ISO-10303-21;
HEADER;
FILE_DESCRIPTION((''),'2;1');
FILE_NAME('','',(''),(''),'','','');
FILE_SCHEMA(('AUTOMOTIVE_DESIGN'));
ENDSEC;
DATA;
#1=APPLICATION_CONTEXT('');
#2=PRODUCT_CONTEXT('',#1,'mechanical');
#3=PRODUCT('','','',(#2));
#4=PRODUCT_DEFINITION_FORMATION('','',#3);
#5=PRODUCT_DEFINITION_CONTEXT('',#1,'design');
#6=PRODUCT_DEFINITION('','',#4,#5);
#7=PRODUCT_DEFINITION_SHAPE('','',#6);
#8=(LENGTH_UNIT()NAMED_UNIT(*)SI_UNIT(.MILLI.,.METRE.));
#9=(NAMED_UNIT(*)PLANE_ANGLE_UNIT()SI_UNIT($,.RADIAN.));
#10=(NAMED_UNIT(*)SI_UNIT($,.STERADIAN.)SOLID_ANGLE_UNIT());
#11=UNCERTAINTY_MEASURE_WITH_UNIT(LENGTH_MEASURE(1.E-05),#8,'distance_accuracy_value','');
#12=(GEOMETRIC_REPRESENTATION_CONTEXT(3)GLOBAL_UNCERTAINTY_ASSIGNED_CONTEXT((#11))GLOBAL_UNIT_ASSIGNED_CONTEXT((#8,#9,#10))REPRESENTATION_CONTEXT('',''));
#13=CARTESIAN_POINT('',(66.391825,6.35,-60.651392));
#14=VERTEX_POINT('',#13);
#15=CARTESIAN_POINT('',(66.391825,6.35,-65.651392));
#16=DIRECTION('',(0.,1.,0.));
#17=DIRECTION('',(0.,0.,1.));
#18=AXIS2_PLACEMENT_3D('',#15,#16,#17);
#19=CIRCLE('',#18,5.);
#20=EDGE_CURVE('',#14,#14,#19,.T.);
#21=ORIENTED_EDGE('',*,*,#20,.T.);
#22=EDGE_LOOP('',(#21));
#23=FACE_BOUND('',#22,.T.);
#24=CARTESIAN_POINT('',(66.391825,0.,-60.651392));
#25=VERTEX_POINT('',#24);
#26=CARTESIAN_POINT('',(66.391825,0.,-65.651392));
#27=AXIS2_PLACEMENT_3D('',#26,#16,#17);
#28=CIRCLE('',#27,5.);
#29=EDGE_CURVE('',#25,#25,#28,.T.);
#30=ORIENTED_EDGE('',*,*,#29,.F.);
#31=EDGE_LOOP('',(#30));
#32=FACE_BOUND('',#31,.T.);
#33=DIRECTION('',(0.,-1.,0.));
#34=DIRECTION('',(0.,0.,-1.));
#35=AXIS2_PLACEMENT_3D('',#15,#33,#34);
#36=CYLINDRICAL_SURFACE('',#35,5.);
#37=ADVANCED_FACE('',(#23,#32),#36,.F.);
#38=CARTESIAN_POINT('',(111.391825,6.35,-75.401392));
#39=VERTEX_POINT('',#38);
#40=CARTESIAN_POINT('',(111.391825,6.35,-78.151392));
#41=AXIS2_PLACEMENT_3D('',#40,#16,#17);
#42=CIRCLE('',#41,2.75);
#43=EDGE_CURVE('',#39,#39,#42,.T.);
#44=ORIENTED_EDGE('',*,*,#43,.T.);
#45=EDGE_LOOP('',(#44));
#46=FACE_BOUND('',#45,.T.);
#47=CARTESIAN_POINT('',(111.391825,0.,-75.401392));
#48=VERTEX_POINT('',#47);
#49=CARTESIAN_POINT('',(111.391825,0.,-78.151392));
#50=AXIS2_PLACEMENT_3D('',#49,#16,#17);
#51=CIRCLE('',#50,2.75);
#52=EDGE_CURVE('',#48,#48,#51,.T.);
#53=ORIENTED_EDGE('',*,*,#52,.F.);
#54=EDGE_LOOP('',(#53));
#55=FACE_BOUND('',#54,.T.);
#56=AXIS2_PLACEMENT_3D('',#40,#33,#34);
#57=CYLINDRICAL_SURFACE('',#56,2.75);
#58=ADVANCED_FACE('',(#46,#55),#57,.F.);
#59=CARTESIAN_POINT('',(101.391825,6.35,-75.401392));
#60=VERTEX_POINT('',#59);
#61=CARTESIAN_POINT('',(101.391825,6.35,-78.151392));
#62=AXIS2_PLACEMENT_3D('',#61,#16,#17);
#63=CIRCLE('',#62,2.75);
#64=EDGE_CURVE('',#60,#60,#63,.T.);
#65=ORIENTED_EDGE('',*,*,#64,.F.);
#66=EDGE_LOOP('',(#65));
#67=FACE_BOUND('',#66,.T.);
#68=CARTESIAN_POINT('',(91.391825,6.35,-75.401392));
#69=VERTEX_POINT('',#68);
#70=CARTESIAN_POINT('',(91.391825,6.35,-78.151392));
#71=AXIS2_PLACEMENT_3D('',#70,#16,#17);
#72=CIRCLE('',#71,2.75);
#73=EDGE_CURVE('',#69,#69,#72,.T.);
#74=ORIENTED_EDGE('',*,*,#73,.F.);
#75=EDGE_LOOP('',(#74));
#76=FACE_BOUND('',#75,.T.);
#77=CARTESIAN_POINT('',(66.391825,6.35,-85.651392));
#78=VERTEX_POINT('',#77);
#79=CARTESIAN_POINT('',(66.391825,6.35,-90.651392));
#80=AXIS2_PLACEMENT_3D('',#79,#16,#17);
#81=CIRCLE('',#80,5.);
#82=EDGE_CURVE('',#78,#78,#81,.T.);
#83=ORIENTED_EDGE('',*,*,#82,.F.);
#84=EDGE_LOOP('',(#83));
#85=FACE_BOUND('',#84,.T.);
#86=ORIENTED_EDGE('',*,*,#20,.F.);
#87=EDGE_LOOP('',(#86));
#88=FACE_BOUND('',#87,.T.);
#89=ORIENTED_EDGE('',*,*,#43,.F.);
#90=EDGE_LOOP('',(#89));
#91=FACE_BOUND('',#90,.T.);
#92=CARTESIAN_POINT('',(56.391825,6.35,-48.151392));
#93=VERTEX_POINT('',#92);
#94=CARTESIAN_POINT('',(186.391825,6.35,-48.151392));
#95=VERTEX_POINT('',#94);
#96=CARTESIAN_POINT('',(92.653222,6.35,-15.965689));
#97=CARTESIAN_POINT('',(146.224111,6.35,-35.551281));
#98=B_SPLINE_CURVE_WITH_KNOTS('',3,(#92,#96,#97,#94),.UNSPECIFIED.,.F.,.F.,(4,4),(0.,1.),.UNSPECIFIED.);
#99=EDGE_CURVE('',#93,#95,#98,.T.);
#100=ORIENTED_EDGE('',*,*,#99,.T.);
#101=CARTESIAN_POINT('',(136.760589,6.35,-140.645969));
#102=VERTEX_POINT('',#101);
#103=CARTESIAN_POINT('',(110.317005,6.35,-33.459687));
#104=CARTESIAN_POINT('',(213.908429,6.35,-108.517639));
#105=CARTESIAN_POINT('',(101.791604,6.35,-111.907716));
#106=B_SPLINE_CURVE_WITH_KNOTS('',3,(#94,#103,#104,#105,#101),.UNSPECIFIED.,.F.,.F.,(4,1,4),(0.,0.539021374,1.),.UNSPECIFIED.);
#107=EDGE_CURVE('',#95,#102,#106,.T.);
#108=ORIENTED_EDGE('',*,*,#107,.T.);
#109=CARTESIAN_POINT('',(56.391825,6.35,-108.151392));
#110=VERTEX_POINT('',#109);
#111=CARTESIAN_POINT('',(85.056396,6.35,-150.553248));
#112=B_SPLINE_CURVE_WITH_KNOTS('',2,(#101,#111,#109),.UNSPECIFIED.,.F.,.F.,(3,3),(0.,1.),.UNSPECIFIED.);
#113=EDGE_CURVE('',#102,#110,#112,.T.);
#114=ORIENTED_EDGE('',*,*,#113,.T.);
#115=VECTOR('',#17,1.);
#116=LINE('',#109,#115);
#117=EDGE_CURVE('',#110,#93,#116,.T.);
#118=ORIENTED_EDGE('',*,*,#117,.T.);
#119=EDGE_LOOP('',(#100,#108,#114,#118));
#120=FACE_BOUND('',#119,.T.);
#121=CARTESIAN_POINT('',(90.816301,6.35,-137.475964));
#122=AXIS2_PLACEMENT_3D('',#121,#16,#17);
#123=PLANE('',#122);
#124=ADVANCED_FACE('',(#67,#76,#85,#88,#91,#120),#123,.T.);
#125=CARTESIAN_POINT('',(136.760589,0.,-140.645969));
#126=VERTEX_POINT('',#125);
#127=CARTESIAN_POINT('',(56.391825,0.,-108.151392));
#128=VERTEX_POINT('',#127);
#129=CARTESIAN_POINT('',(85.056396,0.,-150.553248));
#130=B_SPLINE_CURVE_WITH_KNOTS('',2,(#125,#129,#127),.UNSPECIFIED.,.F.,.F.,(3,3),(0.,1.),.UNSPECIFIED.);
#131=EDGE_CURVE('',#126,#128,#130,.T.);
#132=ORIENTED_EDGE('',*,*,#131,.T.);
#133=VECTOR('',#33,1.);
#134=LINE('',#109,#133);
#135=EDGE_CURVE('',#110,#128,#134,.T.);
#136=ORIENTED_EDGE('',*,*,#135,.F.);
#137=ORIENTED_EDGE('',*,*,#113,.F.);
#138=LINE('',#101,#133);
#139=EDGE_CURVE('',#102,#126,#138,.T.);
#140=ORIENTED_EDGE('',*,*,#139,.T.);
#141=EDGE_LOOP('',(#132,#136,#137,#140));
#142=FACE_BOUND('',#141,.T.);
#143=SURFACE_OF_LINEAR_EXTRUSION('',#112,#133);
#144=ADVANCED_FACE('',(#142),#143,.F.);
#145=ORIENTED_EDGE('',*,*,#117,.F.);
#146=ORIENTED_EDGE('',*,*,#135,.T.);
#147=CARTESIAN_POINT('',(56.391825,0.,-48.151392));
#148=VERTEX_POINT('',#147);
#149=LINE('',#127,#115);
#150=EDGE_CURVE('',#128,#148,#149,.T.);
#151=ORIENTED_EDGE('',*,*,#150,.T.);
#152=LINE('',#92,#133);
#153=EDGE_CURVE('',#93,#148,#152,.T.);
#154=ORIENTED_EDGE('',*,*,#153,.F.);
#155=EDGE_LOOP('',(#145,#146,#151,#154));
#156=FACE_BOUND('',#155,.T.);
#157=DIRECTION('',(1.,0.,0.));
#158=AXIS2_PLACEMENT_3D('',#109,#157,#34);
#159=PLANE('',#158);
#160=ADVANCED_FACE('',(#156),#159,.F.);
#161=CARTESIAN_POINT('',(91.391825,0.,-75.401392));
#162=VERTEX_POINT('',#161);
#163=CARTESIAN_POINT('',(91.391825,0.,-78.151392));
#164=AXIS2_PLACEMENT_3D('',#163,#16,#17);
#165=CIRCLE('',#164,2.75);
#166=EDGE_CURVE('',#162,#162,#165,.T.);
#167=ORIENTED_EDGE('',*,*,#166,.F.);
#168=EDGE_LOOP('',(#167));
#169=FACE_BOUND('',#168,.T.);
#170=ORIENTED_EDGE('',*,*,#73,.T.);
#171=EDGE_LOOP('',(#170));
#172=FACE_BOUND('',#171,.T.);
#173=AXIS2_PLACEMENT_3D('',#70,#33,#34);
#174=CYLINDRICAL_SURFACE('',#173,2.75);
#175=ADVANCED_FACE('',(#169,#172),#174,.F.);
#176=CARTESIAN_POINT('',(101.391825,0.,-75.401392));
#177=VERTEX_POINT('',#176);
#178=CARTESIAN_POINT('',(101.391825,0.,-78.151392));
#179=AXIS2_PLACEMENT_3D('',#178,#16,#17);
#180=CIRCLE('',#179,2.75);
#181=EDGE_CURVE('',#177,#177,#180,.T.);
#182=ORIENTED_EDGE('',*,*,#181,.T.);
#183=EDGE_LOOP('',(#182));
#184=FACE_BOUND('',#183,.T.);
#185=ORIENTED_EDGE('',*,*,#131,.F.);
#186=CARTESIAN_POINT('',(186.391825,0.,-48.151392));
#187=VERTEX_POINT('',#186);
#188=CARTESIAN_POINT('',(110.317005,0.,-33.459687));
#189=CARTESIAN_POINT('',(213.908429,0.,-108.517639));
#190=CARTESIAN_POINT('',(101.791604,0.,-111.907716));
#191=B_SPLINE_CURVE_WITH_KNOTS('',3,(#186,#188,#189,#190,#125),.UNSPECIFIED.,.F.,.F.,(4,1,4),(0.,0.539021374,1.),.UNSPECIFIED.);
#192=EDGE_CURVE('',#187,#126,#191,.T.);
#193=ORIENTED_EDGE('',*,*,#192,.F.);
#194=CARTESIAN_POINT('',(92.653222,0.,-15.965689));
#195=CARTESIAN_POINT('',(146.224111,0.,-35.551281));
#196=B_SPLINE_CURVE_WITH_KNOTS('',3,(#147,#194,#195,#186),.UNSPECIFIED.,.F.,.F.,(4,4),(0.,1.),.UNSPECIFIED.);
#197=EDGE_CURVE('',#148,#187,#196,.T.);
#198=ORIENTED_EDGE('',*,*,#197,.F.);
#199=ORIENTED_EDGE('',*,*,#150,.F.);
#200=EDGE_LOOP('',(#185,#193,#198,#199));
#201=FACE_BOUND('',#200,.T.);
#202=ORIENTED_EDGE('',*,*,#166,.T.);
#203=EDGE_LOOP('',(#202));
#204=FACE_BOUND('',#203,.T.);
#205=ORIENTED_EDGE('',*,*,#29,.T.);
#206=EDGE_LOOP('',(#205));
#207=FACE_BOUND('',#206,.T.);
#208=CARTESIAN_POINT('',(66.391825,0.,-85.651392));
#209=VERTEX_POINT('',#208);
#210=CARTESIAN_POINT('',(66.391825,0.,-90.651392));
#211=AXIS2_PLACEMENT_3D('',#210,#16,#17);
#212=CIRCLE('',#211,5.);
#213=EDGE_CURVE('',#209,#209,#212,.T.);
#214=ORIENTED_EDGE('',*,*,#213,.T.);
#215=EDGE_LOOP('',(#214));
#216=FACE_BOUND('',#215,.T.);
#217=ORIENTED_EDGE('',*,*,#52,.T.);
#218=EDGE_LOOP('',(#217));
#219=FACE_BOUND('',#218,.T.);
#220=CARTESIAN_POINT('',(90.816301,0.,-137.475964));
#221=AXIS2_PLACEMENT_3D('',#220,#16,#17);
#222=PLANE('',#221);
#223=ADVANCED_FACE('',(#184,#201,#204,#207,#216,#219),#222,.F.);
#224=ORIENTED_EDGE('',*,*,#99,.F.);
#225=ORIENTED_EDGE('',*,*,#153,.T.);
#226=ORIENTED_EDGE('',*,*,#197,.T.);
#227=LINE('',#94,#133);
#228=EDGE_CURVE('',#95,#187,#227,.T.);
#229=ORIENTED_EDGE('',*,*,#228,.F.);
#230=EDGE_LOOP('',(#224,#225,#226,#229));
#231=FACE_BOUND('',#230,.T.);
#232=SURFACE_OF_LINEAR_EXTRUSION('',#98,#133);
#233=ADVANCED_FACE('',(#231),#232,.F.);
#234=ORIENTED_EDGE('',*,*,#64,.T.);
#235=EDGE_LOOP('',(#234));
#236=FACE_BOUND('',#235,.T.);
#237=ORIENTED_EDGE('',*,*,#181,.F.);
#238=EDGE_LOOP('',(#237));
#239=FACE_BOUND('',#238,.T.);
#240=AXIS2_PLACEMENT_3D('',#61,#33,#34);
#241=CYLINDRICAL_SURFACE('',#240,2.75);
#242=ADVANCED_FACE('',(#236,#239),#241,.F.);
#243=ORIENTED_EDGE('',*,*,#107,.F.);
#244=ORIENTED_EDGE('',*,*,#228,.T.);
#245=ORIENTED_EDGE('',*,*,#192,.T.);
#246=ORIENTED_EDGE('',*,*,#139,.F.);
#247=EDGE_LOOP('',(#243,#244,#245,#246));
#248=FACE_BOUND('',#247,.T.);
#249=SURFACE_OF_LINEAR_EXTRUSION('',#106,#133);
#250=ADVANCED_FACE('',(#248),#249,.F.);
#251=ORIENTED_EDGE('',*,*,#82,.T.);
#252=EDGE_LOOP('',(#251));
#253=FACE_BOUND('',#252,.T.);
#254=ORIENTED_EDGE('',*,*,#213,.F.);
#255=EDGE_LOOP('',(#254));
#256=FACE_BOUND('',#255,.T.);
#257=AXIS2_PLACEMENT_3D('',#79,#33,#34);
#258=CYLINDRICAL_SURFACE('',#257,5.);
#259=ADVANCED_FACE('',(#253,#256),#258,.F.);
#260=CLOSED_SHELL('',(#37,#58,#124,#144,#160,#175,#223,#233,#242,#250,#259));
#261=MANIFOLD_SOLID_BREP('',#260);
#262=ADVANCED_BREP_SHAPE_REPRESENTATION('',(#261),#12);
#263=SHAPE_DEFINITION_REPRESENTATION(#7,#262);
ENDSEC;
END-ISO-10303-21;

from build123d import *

# Parameters (mm, degrees)
BOSS_EXTRUDE1_DEPTH = 6.35
SKETCH3_R           = 2.75
CUT_EXTRUDE1_DEPTH  = 6.35
SKETCH4_R           = 5
CUT_EXTRUDE2_DEPTH  = 6.35
SKETCH5_R           = 2.75
CUT_EXTRUDE3_DEPTH  = 6.35


with BuildPart() as part:
    # Sketch2 → Boss-Extrude1 (new body)
    with BuildSketch(Plane(origin=(0, 0, 0), x_dir=(1, 0, 0), z_dir=(0, 1, 0))):
        with BuildLine():
            Line((56.391825432, 108.15139225), (56.391825432, 48.15139225))
            add(Edge.make_bspline(
                [(56.391825432, 48.15139225), (92.653221865, 15.965688803), (146.224111167, 35.551280798), (186.391825432, 48.15139225)],
                knots=[0, 0, 0, 0, 1, 1, 1, 1], degree=3))
            add(Edge.make_bspline(
                [(186.391825432, 48.15139225), (110.317005066, 33.459687001), (213.908429008, 108.517638804), (101.791603924, 111.907716317), (136.76058899, 140.645969256)],
                knots=[0, 0, 0, 0, 0.539021374, 1, 1, 1, 1], degree=3))
            add(Edge.make_bspline(
                [(56.391825432, 108.15139225), (85.056395763, 150.553247728), (136.76058899, 140.645969256)],
                knots=[0, 0, 0, 1, 1, 1], degree=2))
        make_face()
    extrude(amount=BOSS_EXTRUDE1_DEPTH)

    # Sketch3 → Cut-Extrude1 (cut)
    with BuildSketch(Plane(origin=(0, 0, 0), x_dir=(1, 0, 0), z_dir=(0, 1, 0))):
        with Locations((101.391825432, 78.15139225)):
            Circle(SKETCH3_R)
    extrude(amount=CUT_EXTRUDE1_DEPTH, mode=Mode.SUBTRACT)

    # Sketch4 → Cut-Extrude2 (cut)
    with BuildSketch(Plane(origin=(0, 0, 0), x_dir=(1, 0, 0), z_dir=(0, 1, 0))):
        with Locations((66.391825432, 90.65139225)):
            Circle(SKETCH4_R)
        with Locations((66.391825432, 65.65139225)):
            Circle(SKETCH4_R)
    extrude(amount=CUT_EXTRUDE2_DEPTH, mode=Mode.SUBTRACT)

    # Sketch5 → Cut-Extrude3 (cut)
    with BuildSketch(Plane(origin=(0, 0, 0), x_dir=(1, 0, 0), z_dir=(0, 1, 0))):
        with Locations((101.391825432, 78.15139225)):
            Circle(SKETCH5_R)
        with Locations((111.391825432, 78.15139225)):
            Circle(SKETCH5_R)
        with Locations((91.391825432, 78.15139225)):
            Circle(SKETCH5_R)
    extrude(amount=CUT_EXTRUDE3_DEPTH, mode=Mode.SUBTRACT)


solid = part.part
